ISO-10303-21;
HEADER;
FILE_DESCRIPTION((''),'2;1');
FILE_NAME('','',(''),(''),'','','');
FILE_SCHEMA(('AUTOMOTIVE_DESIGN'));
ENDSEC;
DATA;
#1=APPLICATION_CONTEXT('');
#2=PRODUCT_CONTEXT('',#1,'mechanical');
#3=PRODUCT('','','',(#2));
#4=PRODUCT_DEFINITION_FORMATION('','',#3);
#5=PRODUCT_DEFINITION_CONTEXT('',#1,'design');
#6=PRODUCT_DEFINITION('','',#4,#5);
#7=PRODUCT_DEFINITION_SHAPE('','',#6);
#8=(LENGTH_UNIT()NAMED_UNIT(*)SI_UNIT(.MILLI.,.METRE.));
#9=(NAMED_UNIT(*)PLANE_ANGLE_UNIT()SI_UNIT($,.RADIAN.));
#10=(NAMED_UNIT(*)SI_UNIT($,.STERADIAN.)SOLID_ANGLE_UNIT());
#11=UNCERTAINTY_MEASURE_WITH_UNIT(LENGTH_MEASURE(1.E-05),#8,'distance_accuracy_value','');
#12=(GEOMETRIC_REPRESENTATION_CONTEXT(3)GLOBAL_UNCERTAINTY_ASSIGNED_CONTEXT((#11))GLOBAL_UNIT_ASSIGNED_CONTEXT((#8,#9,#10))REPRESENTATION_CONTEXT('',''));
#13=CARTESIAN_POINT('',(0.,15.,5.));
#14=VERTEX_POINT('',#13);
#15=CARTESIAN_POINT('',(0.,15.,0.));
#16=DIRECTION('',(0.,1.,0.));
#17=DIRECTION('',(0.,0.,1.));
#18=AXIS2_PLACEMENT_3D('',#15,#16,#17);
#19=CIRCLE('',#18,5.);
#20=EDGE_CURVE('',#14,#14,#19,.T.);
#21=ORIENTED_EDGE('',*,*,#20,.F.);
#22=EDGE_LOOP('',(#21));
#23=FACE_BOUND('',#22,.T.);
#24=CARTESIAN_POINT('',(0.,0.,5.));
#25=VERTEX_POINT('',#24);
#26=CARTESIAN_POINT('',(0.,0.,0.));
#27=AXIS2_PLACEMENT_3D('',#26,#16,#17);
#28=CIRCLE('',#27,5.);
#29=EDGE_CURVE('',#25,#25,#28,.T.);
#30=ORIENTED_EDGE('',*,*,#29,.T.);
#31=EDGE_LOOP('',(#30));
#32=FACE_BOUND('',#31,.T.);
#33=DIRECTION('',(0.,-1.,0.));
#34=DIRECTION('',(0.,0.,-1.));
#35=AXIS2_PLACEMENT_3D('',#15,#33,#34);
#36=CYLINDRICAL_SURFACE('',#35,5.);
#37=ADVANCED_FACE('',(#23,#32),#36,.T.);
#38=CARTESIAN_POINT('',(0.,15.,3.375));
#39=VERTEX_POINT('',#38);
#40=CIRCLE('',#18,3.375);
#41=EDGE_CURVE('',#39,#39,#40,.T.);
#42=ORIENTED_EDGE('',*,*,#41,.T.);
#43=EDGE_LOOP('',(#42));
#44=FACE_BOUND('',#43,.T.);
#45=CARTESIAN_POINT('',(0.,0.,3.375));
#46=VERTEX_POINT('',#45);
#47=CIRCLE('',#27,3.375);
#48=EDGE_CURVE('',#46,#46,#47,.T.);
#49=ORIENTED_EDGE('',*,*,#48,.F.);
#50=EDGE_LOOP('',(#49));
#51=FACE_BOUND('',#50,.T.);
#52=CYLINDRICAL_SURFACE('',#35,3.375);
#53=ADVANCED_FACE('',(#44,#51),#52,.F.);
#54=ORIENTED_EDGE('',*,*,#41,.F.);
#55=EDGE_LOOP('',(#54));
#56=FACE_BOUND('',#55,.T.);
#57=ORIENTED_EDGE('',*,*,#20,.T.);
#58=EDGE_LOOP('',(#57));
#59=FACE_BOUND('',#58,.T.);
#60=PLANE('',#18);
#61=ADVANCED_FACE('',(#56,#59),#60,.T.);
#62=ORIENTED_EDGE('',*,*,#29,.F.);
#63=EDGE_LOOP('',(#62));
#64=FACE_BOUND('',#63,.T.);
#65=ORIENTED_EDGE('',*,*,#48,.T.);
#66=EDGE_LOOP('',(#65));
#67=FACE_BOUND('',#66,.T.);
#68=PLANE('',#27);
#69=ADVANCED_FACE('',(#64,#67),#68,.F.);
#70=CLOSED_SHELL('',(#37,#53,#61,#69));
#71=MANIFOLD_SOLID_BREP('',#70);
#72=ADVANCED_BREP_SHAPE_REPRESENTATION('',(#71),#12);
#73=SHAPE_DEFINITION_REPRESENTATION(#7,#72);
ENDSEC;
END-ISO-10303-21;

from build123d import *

# Parameters (mm, degrees)
SKETCH1_R           = 5
BOSS_EXTRUDE2_DEPTH = 15
SKETCH2_R           = 3.375
CUT_EXTRUDE1_DEPTH  = 16


with BuildPart() as part:
    # Sketch1 → Boss-Extrude2 (new body)
    with BuildSketch(Plane(origin=(0, 0, 0), x_dir=(1, 0, 0), z_dir=(0, 1, 0))):
        Circle(SKETCH1_R)
    extrude(amount=BOSS_EXTRUDE2_DEPTH)

    # Sketch2 → Cut-Extrude1 (cut, through all)
    with BuildSketch(Plane(origin=(0, 0, 0), x_dir=(1, 0, 0), z_dir=(0, 1, 0))):
        Circle(SKETCH2_R)
    extrude(amount=CUT_EXTRUDE1_DEPTH, mode=Mode.SUBTRACT)


solid = part.part
